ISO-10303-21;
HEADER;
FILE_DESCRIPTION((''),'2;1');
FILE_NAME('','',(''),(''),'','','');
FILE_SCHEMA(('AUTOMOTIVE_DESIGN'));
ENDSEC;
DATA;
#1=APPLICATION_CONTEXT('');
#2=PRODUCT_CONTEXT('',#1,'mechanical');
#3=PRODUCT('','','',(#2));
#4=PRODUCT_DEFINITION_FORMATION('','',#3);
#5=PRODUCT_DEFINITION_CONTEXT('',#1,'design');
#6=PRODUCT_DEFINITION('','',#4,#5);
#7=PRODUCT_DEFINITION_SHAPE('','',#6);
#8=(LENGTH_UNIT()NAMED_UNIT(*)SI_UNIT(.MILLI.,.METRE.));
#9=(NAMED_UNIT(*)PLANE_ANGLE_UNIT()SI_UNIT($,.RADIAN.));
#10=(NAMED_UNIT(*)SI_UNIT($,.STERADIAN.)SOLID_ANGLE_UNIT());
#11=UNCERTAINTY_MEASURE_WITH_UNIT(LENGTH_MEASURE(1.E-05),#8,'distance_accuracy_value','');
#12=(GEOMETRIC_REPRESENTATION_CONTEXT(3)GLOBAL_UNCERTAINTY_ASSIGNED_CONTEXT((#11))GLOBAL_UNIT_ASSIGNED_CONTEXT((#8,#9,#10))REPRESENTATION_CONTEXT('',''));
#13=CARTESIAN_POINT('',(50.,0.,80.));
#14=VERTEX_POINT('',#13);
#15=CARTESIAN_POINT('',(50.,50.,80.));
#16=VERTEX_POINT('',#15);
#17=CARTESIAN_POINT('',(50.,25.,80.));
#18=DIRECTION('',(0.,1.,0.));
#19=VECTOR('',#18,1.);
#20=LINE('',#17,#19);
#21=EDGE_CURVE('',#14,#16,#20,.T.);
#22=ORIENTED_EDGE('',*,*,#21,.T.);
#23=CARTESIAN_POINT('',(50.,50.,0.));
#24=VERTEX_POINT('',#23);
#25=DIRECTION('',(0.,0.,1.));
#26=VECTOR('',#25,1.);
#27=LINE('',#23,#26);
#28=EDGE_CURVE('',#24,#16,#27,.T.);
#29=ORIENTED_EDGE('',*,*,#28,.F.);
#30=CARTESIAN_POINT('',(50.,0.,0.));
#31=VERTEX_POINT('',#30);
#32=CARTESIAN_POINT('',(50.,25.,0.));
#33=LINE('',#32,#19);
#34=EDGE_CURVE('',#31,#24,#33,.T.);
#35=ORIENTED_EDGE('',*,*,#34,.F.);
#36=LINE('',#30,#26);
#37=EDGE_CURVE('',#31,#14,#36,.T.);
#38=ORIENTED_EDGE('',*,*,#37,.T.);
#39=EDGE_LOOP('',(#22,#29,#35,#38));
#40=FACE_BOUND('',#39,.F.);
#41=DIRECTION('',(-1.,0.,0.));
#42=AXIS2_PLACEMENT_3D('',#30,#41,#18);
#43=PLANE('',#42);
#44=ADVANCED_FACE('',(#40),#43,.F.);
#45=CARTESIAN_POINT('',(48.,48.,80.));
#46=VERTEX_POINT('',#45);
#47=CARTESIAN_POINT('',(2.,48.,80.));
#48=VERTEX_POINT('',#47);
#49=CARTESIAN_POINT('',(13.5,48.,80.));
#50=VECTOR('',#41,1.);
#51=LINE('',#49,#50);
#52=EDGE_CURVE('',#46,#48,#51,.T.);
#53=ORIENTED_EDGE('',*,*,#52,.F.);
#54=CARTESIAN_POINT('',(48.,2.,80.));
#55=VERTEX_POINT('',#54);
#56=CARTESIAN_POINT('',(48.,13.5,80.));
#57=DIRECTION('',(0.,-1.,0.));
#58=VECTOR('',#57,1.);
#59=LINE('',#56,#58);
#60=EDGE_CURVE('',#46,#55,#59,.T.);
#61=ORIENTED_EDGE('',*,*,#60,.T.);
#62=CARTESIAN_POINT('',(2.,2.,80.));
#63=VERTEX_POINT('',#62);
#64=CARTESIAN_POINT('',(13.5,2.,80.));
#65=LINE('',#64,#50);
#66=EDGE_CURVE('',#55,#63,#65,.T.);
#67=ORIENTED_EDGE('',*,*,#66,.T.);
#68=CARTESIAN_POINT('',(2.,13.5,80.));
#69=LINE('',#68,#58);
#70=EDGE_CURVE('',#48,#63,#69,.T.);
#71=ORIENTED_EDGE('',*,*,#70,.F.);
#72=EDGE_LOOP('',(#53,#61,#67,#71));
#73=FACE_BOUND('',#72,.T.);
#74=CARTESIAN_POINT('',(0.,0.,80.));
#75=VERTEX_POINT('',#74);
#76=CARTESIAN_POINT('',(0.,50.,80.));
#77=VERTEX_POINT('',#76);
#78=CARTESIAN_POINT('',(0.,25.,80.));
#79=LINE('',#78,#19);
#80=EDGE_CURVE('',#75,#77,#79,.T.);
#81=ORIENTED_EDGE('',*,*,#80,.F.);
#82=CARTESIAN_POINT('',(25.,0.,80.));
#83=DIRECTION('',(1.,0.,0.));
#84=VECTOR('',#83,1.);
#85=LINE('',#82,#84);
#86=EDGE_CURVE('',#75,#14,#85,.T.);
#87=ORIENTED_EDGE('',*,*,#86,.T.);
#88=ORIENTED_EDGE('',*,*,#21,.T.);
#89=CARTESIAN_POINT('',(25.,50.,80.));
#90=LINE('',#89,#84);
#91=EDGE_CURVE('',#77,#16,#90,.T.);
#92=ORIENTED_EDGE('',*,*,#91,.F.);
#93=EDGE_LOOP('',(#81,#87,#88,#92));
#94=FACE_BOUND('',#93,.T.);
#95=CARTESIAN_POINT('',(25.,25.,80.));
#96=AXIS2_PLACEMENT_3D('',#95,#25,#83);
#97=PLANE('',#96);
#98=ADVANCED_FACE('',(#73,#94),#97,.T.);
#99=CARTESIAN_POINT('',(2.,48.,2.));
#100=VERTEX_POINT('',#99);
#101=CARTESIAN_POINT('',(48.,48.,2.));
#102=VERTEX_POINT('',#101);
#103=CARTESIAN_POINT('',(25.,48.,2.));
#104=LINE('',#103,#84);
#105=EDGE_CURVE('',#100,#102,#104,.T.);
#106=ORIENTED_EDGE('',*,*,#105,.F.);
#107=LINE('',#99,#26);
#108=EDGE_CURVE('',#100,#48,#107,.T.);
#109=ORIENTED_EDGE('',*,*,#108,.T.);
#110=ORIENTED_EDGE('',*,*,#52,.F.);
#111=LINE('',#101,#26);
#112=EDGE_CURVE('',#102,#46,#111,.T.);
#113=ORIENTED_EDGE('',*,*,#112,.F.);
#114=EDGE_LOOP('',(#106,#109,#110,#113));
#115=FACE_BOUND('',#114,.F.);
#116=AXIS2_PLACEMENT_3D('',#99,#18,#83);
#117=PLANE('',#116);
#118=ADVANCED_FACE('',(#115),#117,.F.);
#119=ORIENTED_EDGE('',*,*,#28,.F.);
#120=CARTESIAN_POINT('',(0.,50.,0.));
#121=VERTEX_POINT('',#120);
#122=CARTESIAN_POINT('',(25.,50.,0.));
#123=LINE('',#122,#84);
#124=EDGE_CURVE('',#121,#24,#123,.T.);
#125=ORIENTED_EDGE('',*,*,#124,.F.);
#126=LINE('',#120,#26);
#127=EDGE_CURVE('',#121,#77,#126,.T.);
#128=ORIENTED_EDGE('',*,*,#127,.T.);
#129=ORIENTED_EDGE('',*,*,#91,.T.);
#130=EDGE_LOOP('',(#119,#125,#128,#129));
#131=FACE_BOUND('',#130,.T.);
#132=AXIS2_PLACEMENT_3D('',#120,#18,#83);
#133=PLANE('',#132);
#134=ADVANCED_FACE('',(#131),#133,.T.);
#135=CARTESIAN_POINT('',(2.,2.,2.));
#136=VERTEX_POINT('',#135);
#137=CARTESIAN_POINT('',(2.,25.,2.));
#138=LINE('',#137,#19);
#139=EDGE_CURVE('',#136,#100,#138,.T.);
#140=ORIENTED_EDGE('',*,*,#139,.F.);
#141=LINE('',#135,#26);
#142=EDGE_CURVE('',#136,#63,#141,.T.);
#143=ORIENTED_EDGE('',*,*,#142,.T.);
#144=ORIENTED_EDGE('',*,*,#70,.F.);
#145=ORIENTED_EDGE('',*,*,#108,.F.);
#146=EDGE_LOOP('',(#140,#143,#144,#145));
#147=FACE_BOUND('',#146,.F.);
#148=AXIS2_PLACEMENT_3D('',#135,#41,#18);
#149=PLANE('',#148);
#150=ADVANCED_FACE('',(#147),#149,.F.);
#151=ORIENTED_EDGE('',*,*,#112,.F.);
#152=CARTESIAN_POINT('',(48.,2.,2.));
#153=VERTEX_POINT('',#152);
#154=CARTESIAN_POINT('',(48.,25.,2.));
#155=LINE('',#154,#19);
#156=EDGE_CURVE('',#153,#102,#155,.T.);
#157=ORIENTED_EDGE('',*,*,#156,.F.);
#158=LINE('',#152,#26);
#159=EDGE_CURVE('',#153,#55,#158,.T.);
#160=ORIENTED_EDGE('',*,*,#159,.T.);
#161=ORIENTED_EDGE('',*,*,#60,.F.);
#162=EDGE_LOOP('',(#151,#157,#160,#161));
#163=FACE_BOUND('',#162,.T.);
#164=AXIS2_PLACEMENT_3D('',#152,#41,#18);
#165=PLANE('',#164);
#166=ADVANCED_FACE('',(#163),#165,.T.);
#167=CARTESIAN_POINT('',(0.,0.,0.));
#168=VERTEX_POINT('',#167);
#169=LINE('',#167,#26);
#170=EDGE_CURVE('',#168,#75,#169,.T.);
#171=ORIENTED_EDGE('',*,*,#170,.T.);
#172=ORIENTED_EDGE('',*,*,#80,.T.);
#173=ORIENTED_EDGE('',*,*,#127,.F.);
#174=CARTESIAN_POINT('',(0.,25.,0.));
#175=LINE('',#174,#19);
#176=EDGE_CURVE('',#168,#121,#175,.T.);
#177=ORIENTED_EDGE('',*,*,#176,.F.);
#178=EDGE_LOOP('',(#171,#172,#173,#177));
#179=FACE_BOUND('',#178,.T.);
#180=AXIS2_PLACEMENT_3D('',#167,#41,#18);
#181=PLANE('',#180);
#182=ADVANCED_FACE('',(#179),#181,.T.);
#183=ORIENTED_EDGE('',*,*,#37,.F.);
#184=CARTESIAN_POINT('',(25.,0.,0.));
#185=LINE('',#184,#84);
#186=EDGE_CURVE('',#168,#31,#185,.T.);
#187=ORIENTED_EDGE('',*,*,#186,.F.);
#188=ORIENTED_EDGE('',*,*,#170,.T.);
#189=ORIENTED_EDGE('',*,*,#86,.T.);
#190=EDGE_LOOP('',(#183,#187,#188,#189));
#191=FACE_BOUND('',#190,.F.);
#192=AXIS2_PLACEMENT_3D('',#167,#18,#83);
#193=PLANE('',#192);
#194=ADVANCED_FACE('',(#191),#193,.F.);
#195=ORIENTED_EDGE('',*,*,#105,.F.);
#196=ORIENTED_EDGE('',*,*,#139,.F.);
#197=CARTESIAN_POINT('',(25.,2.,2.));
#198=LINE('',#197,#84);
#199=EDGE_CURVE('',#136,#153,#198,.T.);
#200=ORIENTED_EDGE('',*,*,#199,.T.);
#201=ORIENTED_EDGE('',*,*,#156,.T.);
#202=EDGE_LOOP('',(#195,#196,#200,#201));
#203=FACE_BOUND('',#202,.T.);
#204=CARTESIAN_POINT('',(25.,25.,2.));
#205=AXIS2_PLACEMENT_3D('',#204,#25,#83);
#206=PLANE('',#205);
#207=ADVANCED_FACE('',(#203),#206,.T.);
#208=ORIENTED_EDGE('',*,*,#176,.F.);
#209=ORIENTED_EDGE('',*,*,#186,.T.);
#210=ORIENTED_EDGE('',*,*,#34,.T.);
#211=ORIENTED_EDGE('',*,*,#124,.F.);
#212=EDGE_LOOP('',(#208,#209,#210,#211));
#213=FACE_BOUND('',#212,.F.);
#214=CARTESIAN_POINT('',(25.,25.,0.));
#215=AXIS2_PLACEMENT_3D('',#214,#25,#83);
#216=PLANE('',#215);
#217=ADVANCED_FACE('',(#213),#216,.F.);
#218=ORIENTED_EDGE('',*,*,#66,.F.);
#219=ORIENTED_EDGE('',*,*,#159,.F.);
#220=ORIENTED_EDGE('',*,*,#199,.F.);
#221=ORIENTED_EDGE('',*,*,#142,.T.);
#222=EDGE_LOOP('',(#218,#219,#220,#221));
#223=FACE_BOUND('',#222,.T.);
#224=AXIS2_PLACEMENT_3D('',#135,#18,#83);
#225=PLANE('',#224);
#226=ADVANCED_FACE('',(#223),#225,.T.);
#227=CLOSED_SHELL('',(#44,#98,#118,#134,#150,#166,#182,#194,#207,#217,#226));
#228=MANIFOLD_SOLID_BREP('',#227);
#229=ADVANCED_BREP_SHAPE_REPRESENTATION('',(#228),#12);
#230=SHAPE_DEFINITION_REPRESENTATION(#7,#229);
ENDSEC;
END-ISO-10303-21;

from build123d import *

# Parameters (mm, degrees)
BOX001_W     = 46
BOX001_H     = 46
BOX001_DEPTH = 80
BOX_W        = 50
BOX_H        = 50
BOX_DEPTH    = 80


with BuildPart() as cub001:
    # Box001 → Box001 (new body)
    with BuildSketch(Plane(origin=(2, 2, 2), x_dir=(1, 0, 0), z_dir=(0, 0, 1))):
        with Locations((23, 23)):
            Rectangle(BOX001_W, BOX001_H)
    extrude(amount=BOX001_DEPTH)


with BuildPart() as cut:
    # Box → Box (new body)
    with BuildSketch(Plane.XY):
        with Locations((25, 25)):
            Rectangle(BOX_W, BOX_H)
    extrude(amount=BOX_DEPTH)

    # Cut: cut Cub001
    add(cub001.part, mode=Mode.SUBTRACT)


solid = cut.part
